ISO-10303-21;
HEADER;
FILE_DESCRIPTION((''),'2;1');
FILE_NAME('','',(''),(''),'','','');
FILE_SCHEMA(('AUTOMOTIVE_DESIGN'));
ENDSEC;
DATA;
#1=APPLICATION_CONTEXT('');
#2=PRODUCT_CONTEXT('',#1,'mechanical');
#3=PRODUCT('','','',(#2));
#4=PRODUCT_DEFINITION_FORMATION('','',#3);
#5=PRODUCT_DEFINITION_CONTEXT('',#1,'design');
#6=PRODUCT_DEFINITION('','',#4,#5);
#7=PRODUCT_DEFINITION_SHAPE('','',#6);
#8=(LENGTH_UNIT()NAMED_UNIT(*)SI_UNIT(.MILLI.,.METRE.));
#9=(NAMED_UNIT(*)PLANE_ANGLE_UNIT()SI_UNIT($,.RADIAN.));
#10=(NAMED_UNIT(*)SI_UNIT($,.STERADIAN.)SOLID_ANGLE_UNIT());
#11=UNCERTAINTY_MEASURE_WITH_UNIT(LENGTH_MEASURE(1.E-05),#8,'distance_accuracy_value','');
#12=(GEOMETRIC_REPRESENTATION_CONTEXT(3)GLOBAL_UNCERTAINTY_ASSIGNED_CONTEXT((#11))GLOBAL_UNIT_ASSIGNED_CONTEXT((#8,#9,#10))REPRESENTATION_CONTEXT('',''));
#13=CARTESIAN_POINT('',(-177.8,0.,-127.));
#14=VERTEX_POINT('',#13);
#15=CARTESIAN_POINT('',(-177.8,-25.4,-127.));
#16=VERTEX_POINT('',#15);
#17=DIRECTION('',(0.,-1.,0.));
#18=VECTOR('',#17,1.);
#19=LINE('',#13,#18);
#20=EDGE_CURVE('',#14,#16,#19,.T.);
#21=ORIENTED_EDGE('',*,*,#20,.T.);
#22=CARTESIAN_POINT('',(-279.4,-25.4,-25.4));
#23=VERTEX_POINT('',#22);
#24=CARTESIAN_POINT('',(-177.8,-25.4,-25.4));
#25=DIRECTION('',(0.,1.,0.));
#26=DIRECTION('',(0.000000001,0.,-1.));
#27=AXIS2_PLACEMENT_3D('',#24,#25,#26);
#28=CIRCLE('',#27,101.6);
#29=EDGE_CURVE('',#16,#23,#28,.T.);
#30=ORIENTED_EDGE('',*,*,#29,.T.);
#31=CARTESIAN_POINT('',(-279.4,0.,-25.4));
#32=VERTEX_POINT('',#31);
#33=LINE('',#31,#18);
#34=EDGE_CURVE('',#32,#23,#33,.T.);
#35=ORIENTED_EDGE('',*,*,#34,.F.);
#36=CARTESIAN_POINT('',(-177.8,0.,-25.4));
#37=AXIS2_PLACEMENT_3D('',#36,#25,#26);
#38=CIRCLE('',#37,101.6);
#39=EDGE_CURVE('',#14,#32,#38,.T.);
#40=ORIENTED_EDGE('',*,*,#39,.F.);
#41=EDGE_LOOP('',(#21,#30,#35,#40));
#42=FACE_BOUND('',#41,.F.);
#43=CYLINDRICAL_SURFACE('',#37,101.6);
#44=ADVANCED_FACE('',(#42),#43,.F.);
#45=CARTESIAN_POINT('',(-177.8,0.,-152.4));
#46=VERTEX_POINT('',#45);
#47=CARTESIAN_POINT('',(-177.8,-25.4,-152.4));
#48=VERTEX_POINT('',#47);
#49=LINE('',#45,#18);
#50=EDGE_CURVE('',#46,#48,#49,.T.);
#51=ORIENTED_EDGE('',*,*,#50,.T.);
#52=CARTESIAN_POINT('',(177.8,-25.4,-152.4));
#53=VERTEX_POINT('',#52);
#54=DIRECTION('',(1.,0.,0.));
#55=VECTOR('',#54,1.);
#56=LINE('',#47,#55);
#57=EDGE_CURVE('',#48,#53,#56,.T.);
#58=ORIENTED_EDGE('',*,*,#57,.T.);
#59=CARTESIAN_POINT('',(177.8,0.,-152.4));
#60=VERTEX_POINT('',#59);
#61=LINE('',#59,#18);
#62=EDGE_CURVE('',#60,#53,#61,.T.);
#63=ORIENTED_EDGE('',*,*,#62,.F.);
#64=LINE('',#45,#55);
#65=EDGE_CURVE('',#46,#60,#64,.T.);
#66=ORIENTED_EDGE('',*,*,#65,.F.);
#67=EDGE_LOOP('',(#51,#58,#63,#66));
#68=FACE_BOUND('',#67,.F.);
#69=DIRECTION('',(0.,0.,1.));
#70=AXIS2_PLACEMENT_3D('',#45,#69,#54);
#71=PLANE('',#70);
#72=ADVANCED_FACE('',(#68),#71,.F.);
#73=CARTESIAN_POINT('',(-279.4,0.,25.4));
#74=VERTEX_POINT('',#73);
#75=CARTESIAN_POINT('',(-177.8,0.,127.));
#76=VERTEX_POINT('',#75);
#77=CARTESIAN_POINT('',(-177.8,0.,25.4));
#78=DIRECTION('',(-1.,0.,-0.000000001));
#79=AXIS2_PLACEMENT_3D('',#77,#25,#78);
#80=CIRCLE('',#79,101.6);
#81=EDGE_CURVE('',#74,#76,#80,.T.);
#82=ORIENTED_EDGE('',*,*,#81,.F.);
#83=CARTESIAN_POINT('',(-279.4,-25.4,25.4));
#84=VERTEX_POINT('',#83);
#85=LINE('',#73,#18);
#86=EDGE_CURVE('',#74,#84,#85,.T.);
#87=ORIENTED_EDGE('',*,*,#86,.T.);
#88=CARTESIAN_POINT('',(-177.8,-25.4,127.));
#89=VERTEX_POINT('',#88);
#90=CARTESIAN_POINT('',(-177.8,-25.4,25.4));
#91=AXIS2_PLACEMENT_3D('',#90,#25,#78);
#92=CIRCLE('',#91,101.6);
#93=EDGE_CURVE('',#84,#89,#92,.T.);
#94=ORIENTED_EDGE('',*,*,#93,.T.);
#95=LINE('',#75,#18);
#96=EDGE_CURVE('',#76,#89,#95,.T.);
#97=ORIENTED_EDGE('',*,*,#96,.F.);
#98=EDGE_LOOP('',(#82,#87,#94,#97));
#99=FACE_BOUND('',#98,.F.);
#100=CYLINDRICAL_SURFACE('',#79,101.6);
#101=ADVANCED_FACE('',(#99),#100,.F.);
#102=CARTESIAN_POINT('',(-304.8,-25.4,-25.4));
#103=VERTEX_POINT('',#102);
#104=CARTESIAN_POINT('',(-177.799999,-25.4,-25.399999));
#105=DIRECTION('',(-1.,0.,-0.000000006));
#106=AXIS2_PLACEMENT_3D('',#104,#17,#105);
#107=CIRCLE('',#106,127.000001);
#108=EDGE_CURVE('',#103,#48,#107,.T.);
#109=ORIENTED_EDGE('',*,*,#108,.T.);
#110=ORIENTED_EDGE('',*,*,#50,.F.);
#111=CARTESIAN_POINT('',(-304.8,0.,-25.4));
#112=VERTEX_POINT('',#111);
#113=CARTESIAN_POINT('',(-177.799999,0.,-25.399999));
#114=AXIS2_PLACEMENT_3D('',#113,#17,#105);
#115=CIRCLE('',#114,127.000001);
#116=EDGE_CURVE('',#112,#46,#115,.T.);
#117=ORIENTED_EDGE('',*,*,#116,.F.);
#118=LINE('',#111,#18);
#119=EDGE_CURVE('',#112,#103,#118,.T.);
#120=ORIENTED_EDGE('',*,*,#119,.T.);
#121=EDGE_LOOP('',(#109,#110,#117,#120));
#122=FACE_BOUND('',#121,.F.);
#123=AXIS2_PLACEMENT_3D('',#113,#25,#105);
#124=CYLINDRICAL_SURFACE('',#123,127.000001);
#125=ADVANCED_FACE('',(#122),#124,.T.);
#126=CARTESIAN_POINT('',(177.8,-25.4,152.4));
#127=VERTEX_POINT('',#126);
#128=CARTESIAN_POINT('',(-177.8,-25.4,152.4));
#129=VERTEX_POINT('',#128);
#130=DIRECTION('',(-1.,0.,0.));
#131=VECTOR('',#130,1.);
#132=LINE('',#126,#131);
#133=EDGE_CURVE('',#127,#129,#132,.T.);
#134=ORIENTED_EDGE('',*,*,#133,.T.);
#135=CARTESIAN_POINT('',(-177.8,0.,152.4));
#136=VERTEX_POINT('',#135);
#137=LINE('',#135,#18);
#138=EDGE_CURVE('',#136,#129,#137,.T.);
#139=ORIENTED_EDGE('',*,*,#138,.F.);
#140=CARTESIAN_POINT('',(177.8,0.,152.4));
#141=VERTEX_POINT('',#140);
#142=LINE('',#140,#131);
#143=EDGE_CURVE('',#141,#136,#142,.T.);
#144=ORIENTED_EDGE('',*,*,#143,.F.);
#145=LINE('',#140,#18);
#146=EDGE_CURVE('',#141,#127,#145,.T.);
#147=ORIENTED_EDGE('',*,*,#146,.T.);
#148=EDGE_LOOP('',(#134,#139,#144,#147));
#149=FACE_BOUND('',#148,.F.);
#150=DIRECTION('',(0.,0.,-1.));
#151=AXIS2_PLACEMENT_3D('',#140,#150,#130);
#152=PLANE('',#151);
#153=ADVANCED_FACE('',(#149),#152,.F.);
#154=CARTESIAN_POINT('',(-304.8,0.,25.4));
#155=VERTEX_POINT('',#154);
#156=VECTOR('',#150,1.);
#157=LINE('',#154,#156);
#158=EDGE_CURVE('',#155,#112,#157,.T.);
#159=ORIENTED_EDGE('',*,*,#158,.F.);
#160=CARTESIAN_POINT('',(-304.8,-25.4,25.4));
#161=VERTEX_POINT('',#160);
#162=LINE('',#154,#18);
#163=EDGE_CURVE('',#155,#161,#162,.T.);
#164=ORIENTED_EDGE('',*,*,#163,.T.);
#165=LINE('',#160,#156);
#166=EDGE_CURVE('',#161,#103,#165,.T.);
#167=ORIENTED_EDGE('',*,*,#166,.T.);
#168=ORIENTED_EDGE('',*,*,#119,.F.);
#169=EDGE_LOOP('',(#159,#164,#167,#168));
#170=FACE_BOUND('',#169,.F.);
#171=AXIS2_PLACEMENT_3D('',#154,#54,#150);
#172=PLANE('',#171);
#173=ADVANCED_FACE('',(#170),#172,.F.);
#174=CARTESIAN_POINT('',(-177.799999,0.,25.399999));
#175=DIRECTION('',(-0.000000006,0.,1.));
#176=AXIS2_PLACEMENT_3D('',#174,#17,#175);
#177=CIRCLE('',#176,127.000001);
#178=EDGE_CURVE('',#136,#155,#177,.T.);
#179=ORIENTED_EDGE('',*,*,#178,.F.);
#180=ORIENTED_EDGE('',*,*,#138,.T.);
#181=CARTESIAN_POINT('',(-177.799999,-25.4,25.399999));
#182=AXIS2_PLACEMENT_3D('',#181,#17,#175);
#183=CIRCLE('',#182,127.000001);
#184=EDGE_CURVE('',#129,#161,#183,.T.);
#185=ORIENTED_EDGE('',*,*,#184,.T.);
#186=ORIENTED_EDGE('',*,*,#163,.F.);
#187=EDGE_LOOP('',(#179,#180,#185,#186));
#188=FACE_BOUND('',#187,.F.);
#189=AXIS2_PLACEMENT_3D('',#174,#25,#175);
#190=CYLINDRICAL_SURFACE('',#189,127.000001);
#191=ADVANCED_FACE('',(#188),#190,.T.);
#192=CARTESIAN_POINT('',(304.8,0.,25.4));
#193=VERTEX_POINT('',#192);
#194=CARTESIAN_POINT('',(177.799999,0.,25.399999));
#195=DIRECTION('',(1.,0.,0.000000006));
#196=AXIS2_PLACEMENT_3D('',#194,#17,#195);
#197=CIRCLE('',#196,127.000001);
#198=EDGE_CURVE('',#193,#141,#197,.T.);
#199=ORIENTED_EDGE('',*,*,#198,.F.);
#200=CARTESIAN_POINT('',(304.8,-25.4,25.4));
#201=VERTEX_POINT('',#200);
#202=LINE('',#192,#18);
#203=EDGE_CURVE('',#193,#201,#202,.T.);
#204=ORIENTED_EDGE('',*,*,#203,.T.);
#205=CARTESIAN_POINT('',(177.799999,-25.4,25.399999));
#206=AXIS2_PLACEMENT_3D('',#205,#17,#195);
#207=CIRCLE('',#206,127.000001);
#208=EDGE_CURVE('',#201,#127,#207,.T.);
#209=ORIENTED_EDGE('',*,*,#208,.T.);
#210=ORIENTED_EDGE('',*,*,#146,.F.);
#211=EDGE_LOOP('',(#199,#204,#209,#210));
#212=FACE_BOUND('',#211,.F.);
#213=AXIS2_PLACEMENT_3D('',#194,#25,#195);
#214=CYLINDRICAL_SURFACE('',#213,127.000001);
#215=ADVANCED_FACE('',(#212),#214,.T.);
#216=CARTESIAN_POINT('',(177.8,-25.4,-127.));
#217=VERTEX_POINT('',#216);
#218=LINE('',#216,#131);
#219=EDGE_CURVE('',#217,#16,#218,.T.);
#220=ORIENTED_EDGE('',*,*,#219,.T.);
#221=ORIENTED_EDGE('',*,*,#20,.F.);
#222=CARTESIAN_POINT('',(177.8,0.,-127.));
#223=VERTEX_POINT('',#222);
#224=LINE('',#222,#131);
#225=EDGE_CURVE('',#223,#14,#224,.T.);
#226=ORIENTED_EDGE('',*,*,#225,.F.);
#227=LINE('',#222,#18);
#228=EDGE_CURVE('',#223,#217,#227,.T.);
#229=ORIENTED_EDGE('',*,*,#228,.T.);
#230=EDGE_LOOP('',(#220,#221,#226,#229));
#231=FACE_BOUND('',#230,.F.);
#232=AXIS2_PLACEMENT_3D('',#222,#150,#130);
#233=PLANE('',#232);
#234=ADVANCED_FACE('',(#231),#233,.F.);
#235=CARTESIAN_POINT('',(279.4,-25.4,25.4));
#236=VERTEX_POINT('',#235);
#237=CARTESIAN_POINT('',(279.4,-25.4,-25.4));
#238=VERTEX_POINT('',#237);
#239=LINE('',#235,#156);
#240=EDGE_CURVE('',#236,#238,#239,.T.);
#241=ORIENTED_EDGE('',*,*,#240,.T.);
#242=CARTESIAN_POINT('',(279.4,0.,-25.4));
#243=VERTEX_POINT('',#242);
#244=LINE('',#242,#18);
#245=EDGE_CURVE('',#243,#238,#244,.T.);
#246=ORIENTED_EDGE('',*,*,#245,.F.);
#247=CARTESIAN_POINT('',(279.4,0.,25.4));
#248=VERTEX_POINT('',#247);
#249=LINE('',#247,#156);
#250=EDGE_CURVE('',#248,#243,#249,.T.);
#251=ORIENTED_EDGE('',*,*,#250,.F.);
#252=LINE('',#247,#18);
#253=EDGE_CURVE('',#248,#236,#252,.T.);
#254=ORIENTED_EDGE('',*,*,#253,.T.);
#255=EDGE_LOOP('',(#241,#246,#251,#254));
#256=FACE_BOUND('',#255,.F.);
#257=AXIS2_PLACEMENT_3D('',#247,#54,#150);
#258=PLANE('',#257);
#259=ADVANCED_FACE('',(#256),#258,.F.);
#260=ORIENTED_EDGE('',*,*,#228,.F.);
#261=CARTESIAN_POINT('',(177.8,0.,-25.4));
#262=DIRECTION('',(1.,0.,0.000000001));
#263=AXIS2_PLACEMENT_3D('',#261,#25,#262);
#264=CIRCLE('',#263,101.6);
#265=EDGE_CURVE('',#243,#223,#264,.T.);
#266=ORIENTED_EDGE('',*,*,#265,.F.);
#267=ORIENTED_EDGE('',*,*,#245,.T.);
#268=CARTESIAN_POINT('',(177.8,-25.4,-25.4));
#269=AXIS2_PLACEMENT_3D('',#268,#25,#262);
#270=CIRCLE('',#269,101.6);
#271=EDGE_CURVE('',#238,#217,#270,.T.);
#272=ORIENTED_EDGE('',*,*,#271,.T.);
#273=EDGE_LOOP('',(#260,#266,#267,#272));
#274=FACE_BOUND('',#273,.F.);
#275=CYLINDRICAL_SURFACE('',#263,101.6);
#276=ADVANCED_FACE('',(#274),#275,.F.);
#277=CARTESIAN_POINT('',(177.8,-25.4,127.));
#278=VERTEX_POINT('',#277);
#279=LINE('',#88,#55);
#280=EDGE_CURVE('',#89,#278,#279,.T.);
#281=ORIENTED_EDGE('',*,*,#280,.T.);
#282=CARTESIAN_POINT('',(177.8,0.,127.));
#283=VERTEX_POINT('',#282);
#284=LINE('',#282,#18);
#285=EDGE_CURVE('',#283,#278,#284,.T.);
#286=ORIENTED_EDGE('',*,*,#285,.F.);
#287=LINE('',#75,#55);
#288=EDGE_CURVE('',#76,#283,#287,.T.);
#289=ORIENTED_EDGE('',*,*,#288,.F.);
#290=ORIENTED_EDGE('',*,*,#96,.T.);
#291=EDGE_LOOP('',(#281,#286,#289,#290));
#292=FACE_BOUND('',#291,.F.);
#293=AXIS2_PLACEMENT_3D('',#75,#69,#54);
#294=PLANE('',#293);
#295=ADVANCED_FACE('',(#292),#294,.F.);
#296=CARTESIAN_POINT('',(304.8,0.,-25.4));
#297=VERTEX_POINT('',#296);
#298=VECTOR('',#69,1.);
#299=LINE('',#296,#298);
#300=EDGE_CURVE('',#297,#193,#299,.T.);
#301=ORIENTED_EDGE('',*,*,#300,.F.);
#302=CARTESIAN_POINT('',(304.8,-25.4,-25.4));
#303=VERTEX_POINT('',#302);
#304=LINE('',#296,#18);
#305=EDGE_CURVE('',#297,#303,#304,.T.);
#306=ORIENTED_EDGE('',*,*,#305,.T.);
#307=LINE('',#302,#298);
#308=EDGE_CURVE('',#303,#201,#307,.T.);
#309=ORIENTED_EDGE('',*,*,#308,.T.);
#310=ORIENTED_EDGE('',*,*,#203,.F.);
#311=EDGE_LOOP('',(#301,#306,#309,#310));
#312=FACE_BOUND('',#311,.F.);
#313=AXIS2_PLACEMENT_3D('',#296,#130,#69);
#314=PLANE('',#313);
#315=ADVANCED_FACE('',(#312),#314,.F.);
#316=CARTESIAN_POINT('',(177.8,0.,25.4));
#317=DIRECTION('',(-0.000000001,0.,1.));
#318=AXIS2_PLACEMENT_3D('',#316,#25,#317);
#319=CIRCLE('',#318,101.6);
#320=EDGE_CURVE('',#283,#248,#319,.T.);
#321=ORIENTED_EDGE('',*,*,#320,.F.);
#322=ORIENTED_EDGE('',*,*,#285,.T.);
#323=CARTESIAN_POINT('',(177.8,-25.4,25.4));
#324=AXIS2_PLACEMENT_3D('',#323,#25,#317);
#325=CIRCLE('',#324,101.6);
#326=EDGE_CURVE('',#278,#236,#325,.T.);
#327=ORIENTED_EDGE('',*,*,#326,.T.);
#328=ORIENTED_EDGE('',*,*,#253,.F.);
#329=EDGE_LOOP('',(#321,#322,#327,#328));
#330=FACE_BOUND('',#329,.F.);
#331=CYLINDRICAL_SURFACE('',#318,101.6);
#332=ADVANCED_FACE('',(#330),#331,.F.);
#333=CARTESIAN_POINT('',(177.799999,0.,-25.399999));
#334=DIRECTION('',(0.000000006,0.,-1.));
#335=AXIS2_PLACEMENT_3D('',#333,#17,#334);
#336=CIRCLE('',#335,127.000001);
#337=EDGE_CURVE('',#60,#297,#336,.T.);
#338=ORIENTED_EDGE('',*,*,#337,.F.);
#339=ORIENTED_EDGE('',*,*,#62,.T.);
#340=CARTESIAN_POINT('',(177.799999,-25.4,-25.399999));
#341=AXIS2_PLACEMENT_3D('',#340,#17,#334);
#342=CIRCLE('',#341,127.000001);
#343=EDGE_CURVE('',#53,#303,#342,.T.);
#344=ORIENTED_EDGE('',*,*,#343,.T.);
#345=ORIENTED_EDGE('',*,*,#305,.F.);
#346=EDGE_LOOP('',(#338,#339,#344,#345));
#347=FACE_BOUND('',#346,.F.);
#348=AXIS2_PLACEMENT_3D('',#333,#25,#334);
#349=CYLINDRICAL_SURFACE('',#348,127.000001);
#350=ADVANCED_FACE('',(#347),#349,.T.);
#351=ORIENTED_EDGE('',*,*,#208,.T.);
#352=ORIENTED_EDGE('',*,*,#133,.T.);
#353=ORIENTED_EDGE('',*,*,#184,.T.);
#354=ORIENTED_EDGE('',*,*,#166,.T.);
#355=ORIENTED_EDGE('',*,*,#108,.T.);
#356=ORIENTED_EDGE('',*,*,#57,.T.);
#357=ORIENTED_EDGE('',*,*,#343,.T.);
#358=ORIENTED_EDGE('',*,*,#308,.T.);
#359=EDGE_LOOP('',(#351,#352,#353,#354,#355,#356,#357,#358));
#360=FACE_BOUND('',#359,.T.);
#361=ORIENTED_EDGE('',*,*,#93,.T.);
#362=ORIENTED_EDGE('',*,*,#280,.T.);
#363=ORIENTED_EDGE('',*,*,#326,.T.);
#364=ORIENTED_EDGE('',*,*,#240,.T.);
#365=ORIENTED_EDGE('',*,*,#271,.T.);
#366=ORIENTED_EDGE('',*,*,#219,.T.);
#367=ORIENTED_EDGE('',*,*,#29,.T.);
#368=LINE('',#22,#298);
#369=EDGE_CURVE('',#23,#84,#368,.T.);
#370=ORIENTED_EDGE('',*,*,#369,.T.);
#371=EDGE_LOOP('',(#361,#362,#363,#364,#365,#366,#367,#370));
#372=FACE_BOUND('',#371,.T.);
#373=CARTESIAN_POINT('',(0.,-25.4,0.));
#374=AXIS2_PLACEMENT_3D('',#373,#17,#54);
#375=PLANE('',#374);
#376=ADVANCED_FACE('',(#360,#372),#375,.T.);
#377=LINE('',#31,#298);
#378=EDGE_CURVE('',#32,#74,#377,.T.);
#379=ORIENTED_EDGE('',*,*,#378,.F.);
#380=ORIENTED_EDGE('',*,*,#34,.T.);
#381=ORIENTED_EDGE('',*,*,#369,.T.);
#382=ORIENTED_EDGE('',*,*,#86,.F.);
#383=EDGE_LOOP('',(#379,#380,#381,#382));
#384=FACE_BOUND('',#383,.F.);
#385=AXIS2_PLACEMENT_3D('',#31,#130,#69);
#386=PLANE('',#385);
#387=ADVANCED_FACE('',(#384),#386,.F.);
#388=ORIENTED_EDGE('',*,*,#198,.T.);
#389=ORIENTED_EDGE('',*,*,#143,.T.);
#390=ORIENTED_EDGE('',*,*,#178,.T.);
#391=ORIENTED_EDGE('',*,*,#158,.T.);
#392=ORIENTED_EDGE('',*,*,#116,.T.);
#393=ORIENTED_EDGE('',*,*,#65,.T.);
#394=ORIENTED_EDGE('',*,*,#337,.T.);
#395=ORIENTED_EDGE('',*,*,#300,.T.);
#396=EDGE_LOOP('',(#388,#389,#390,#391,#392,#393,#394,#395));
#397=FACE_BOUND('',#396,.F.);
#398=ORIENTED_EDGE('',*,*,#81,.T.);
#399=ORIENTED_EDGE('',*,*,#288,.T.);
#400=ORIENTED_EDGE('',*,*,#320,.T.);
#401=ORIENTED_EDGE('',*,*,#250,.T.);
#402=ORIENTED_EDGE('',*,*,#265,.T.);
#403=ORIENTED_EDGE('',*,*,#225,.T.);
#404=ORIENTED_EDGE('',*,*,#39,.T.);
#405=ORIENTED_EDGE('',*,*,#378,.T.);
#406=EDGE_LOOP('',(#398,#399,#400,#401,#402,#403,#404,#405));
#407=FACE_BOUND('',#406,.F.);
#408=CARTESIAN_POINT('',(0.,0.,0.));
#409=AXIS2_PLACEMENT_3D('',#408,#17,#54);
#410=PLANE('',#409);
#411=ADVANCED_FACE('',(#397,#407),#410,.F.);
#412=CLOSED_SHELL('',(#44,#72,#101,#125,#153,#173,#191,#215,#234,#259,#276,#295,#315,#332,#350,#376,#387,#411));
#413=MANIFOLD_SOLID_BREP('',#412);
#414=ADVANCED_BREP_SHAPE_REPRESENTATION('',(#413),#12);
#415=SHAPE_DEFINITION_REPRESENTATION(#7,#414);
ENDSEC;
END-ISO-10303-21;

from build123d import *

# Parameters (mm, degrees)
F2_DEPTH = 25.4


with BuildPart() as f2:
    # F1 (on face) → F2 (new body)
    with BuildSketch(Plane.XZ):
        with BuildLine():
            Line((304.8, -25.4), (304.8, 25.4))
            ThreePointArc((304.8, 25.4), (267.602561, 115.202561), (177.8, 152.4))
            Line((177.8, 152.4), (-177.8, 152.4))
            ThreePointArc((-177.8, 152.4), (-267.602561, 115.202561), (-304.8, 25.4))
            Line((-304.8, 25.4), (-304.8, -25.4))
            ThreePointArc((-304.8, -25.4), (-267.602561, -115.202561), (-177.8, -152.4))
            Line((-177.8, -152.4), (177.8, -152.4))
            ThreePointArc((177.8, -152.4), (267.602561, -115.202561), (304.8, -25.4))
        make_face()
        with BuildLine():
            ThreePointArc((177.8, 127), (249.642049, 97.242049), (279.4, 25.4))
            Line((279.4, 25.4), (279.4, -25.4))
            ThreePointArc((279.4, -25.4), (249.642049, -97.242049), (177.8, -127))
            Line((177.8, -127), (-177.8, -127))
            ThreePointArc((-177.8, -127), (-249.642049, -97.242049), (-279.4, -25.4))
            Line((-279.4, -25.4), (-279.4, 25.4))
            ThreePointArc((-279.4, 25.4), (-249.642049, 97.242049), (-177.8, 127))
            Line((-177.8, 127), (177.8, 127))
        make_face(mode=Mode.SUBTRACT)
    extrude(amount=F2_DEPTH)


solid = f2.part
